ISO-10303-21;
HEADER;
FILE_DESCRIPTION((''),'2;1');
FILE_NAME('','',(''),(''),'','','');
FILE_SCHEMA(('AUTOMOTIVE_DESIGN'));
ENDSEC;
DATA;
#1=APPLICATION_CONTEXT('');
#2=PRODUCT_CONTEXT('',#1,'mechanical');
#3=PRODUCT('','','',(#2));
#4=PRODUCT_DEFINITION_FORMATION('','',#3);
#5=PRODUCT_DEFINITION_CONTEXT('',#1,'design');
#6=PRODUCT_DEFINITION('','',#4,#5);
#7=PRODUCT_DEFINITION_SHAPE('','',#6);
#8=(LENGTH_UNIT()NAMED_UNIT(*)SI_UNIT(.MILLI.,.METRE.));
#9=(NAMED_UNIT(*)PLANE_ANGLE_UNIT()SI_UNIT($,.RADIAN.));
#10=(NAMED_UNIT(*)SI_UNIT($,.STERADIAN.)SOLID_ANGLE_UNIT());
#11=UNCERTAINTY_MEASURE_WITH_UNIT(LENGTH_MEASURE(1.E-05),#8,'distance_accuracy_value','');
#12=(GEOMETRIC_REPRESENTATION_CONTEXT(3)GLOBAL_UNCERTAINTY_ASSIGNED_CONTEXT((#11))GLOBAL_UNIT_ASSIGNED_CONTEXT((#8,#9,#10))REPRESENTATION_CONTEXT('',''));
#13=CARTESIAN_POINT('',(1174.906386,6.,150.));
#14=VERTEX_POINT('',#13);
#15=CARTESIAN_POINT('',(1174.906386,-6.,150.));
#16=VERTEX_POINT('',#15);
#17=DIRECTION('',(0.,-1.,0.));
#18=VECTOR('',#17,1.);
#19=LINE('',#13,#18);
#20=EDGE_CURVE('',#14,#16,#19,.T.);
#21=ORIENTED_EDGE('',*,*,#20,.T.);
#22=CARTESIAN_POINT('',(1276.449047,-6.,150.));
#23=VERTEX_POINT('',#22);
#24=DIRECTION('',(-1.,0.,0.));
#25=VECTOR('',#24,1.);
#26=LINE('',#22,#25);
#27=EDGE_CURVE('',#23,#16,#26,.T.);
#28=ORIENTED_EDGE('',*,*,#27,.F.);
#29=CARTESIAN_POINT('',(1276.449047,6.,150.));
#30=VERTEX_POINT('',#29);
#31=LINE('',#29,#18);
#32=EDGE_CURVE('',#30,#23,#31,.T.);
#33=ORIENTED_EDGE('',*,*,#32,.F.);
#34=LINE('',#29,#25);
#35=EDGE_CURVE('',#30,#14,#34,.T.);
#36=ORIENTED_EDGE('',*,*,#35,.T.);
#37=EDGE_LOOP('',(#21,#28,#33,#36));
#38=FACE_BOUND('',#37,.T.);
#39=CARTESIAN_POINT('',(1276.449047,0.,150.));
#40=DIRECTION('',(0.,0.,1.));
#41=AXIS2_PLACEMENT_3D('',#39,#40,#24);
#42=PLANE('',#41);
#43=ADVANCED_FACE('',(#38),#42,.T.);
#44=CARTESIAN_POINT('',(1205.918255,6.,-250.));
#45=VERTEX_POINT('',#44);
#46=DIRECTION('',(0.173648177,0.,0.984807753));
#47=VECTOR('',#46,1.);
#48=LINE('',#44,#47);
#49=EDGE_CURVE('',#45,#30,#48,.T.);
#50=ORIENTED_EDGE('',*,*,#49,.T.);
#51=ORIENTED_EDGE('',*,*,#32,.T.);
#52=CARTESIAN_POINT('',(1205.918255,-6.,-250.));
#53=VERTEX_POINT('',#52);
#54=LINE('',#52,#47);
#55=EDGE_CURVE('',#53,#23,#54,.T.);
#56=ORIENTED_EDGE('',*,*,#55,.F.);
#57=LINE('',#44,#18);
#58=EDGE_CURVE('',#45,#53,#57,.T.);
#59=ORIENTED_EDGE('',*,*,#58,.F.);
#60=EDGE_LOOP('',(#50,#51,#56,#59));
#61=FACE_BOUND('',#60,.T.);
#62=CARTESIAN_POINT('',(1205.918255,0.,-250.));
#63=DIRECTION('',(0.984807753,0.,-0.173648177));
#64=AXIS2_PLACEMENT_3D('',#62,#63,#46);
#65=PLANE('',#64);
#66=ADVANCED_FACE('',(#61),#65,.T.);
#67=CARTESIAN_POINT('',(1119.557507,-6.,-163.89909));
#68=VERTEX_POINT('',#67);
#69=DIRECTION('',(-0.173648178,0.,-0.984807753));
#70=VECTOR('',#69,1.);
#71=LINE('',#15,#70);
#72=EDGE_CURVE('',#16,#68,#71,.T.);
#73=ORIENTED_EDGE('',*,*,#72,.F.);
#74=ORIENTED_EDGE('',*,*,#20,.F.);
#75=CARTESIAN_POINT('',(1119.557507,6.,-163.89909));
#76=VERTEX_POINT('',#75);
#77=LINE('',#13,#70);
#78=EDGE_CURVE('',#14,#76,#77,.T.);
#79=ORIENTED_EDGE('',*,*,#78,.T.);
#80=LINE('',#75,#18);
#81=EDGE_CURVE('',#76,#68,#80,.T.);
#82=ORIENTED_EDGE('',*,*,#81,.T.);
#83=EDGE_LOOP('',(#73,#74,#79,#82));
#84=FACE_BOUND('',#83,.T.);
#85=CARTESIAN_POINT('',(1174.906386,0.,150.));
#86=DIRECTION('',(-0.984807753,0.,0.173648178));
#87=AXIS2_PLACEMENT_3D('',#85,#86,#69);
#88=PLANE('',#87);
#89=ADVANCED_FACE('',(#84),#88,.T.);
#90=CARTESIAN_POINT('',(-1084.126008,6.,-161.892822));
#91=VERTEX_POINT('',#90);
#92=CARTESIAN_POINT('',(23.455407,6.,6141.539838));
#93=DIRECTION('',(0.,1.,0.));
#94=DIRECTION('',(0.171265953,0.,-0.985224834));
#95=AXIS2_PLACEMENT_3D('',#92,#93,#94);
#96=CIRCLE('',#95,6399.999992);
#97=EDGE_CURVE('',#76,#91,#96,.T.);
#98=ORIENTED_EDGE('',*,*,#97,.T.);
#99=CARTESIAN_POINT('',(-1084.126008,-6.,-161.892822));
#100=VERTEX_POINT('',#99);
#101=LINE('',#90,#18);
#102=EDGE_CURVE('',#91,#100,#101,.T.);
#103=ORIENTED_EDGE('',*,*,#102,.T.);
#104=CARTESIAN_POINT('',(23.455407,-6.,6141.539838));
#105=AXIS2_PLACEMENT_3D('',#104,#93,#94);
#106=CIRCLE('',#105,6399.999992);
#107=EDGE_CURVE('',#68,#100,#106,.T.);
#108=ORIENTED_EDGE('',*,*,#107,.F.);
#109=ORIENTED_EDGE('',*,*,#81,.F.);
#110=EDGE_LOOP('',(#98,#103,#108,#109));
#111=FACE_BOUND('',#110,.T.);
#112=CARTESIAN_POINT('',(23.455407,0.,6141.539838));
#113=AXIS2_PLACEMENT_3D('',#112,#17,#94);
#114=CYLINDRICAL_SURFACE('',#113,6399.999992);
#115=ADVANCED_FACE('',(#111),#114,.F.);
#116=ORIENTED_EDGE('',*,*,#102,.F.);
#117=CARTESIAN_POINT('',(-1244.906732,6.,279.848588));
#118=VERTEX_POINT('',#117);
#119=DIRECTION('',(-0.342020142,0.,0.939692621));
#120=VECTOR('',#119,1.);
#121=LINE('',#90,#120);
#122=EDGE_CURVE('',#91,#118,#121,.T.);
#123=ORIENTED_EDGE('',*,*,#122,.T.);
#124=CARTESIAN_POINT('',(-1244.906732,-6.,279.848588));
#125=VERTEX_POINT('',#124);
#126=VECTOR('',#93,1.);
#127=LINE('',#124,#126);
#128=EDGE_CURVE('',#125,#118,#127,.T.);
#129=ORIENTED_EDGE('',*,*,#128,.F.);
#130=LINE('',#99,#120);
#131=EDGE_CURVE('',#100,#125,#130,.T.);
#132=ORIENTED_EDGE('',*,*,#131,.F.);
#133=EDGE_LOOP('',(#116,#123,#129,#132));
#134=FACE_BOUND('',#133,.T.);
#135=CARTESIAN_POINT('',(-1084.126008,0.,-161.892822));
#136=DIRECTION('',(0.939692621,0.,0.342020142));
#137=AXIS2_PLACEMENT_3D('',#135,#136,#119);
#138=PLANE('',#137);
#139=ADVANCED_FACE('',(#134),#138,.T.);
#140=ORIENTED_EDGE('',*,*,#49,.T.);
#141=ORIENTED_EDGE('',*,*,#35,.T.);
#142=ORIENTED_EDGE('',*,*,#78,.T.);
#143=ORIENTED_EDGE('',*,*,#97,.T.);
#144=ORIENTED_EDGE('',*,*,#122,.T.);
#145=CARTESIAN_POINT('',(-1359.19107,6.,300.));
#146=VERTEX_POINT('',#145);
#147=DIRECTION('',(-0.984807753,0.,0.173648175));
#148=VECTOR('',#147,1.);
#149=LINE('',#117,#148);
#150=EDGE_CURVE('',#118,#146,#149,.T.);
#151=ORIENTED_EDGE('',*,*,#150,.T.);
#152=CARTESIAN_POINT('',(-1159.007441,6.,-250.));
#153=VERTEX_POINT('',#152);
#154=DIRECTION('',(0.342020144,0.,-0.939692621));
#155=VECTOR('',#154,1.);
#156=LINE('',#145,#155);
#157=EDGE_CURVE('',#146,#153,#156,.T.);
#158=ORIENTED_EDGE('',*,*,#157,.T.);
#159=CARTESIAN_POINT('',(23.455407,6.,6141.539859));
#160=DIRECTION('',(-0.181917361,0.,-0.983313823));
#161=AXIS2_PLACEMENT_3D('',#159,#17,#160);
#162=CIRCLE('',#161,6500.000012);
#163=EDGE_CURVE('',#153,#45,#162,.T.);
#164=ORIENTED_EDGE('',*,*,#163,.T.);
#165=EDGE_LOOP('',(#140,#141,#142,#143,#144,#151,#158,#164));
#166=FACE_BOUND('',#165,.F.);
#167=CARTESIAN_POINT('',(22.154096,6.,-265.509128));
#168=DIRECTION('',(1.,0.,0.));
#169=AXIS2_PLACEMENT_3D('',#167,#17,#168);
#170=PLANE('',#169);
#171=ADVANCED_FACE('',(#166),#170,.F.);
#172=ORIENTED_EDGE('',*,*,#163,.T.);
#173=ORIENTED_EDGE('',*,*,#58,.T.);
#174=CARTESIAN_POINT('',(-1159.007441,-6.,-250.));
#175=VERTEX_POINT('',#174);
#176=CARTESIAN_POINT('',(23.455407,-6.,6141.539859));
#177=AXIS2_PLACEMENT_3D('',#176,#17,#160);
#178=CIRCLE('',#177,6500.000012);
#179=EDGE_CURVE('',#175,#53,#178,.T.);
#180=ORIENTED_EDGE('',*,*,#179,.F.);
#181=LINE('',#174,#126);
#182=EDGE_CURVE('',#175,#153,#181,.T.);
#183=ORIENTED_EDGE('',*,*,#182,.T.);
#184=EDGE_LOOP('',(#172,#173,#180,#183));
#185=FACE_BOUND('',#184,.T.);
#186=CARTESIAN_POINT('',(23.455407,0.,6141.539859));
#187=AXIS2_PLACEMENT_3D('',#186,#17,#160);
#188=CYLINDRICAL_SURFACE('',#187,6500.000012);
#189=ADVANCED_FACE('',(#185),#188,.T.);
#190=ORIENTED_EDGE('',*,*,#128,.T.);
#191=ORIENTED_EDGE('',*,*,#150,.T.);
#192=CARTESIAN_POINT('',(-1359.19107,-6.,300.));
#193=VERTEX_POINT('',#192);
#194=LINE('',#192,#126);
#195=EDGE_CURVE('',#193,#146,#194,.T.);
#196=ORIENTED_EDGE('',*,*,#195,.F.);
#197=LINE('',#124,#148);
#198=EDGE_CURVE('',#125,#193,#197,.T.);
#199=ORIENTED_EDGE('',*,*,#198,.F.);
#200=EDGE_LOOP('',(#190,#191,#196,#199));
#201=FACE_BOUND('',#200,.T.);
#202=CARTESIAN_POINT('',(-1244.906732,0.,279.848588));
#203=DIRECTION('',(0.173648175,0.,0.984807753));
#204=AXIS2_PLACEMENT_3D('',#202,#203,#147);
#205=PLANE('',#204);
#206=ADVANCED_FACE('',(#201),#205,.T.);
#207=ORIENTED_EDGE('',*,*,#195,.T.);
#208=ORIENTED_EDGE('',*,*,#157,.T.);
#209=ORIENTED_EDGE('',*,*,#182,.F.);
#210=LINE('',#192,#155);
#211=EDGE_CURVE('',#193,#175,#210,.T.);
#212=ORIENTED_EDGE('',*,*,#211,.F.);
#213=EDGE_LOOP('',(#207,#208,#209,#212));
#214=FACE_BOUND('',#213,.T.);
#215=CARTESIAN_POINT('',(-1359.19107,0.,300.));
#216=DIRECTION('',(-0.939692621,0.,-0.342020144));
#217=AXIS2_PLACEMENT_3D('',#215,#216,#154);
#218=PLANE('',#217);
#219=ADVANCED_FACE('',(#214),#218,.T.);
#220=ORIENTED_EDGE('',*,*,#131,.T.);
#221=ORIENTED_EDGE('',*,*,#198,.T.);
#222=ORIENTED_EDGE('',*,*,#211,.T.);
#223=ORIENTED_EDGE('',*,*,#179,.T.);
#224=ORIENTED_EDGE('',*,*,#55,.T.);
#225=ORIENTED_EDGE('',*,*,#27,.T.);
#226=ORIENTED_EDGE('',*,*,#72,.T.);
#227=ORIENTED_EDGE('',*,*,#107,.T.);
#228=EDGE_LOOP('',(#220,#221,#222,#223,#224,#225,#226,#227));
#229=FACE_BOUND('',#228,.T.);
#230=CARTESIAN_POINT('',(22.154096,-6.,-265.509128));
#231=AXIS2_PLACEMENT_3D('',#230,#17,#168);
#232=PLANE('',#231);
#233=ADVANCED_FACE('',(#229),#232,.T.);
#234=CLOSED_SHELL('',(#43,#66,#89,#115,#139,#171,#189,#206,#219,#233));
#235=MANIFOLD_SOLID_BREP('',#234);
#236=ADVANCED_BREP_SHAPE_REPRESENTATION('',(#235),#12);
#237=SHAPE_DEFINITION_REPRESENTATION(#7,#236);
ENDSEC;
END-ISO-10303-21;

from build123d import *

# Parameters (mm, degrees)
F2_DEPTH = 6


with BuildPart() as f2:
    # F1 (on Front) → F2 (new body, symmetric)
    with BuildSketch(Plane.XZ):
        with BuildLine():
            Line((-1084.126008, -161.892822), (-1159.007441, -250))
            ThreePointArc((-1159.007441, -250), (23.455407, -358.460153), (1205.918255, -250))
            Line((1205.918255, -250), (1119.557507, -163.89909))
            ThreePointArc((1119.557507, -163.89909), (17.628749, -258.457501), (-1084.126008, -161.892822))
        make_face()
        Polygon((-1244.906732, 279.848588), (-1359.19107, 300), (-1159.007441, -250), (-1084.126008, -161.892822), align=None)
        Polygon((1119.557507, -163.89909), (1205.918255, -250), (1276.449047, 150), (1174.906386, 150), align=None)
    extrude(amount=F2_DEPTH, both=True)


solid = f2.part
